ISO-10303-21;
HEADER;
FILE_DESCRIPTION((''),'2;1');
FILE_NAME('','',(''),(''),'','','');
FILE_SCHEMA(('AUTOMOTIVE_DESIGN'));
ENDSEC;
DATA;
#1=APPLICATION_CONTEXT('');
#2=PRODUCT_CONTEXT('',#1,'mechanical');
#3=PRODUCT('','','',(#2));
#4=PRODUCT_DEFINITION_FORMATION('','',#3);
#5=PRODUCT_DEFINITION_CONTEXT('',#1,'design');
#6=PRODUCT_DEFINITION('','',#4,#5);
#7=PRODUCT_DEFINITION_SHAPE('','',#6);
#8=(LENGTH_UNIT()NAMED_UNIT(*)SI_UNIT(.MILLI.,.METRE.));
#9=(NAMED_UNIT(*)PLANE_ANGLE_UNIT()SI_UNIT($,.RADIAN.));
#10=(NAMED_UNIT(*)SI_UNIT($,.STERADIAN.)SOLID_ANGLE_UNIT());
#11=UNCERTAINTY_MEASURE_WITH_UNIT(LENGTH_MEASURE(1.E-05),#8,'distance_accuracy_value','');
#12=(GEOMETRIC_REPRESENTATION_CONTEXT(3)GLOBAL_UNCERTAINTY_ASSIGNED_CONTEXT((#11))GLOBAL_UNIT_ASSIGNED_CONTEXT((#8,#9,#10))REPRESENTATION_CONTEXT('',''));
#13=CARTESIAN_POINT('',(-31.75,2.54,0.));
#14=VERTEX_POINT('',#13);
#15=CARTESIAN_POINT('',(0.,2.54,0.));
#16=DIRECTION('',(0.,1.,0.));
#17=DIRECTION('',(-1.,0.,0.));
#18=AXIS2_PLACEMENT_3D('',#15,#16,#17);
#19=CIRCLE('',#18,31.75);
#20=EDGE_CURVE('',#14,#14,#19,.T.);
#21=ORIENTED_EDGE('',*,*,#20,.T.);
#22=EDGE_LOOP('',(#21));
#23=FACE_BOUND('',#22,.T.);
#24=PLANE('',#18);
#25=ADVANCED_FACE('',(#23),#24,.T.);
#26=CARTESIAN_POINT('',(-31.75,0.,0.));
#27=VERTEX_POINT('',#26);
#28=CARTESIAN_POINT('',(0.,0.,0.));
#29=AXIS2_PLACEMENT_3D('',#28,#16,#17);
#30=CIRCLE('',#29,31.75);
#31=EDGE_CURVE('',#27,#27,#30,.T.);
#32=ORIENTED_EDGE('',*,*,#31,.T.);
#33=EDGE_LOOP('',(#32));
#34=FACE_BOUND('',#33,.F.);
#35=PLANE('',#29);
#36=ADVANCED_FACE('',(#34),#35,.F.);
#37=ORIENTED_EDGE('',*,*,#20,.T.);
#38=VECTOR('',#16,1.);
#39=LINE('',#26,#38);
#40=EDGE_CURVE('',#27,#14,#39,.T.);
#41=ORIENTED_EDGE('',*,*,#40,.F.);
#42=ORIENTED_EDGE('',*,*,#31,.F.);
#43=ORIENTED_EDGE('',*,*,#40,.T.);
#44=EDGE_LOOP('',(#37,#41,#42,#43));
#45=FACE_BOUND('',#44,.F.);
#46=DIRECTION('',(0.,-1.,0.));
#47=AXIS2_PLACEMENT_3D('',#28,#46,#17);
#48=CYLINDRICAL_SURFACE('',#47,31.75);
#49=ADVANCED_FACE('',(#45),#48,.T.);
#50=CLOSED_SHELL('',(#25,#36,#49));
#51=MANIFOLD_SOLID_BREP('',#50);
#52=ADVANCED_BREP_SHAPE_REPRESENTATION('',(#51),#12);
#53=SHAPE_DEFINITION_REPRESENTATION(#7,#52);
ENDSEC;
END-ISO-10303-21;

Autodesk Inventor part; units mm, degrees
ref_plane "YZ Plane" through (0, 0, 0) normal (1, 0, 0) x (0, 1, 0)
ref_plane "XZ Plane" through (0, 0, 0) normal (0, 1, 0) x (-1, 0, 0)
ref_plane "XY Plane" through (0, 0, 0) normal (0, 0, 1) x (1, 0, 0)
sketch "Sketch1" plane through (0, 0, 0) normal (0, 1, 0) x (-1, 0, 0)
  circle A0 centre (0, 0) radius 31.75
  dimension "d0" = 63.5
extrude "Extrusion1" add sketch "Sketch1" along normal blind 2.54
properties part number "seal2" material "Plastic, Transparent"
